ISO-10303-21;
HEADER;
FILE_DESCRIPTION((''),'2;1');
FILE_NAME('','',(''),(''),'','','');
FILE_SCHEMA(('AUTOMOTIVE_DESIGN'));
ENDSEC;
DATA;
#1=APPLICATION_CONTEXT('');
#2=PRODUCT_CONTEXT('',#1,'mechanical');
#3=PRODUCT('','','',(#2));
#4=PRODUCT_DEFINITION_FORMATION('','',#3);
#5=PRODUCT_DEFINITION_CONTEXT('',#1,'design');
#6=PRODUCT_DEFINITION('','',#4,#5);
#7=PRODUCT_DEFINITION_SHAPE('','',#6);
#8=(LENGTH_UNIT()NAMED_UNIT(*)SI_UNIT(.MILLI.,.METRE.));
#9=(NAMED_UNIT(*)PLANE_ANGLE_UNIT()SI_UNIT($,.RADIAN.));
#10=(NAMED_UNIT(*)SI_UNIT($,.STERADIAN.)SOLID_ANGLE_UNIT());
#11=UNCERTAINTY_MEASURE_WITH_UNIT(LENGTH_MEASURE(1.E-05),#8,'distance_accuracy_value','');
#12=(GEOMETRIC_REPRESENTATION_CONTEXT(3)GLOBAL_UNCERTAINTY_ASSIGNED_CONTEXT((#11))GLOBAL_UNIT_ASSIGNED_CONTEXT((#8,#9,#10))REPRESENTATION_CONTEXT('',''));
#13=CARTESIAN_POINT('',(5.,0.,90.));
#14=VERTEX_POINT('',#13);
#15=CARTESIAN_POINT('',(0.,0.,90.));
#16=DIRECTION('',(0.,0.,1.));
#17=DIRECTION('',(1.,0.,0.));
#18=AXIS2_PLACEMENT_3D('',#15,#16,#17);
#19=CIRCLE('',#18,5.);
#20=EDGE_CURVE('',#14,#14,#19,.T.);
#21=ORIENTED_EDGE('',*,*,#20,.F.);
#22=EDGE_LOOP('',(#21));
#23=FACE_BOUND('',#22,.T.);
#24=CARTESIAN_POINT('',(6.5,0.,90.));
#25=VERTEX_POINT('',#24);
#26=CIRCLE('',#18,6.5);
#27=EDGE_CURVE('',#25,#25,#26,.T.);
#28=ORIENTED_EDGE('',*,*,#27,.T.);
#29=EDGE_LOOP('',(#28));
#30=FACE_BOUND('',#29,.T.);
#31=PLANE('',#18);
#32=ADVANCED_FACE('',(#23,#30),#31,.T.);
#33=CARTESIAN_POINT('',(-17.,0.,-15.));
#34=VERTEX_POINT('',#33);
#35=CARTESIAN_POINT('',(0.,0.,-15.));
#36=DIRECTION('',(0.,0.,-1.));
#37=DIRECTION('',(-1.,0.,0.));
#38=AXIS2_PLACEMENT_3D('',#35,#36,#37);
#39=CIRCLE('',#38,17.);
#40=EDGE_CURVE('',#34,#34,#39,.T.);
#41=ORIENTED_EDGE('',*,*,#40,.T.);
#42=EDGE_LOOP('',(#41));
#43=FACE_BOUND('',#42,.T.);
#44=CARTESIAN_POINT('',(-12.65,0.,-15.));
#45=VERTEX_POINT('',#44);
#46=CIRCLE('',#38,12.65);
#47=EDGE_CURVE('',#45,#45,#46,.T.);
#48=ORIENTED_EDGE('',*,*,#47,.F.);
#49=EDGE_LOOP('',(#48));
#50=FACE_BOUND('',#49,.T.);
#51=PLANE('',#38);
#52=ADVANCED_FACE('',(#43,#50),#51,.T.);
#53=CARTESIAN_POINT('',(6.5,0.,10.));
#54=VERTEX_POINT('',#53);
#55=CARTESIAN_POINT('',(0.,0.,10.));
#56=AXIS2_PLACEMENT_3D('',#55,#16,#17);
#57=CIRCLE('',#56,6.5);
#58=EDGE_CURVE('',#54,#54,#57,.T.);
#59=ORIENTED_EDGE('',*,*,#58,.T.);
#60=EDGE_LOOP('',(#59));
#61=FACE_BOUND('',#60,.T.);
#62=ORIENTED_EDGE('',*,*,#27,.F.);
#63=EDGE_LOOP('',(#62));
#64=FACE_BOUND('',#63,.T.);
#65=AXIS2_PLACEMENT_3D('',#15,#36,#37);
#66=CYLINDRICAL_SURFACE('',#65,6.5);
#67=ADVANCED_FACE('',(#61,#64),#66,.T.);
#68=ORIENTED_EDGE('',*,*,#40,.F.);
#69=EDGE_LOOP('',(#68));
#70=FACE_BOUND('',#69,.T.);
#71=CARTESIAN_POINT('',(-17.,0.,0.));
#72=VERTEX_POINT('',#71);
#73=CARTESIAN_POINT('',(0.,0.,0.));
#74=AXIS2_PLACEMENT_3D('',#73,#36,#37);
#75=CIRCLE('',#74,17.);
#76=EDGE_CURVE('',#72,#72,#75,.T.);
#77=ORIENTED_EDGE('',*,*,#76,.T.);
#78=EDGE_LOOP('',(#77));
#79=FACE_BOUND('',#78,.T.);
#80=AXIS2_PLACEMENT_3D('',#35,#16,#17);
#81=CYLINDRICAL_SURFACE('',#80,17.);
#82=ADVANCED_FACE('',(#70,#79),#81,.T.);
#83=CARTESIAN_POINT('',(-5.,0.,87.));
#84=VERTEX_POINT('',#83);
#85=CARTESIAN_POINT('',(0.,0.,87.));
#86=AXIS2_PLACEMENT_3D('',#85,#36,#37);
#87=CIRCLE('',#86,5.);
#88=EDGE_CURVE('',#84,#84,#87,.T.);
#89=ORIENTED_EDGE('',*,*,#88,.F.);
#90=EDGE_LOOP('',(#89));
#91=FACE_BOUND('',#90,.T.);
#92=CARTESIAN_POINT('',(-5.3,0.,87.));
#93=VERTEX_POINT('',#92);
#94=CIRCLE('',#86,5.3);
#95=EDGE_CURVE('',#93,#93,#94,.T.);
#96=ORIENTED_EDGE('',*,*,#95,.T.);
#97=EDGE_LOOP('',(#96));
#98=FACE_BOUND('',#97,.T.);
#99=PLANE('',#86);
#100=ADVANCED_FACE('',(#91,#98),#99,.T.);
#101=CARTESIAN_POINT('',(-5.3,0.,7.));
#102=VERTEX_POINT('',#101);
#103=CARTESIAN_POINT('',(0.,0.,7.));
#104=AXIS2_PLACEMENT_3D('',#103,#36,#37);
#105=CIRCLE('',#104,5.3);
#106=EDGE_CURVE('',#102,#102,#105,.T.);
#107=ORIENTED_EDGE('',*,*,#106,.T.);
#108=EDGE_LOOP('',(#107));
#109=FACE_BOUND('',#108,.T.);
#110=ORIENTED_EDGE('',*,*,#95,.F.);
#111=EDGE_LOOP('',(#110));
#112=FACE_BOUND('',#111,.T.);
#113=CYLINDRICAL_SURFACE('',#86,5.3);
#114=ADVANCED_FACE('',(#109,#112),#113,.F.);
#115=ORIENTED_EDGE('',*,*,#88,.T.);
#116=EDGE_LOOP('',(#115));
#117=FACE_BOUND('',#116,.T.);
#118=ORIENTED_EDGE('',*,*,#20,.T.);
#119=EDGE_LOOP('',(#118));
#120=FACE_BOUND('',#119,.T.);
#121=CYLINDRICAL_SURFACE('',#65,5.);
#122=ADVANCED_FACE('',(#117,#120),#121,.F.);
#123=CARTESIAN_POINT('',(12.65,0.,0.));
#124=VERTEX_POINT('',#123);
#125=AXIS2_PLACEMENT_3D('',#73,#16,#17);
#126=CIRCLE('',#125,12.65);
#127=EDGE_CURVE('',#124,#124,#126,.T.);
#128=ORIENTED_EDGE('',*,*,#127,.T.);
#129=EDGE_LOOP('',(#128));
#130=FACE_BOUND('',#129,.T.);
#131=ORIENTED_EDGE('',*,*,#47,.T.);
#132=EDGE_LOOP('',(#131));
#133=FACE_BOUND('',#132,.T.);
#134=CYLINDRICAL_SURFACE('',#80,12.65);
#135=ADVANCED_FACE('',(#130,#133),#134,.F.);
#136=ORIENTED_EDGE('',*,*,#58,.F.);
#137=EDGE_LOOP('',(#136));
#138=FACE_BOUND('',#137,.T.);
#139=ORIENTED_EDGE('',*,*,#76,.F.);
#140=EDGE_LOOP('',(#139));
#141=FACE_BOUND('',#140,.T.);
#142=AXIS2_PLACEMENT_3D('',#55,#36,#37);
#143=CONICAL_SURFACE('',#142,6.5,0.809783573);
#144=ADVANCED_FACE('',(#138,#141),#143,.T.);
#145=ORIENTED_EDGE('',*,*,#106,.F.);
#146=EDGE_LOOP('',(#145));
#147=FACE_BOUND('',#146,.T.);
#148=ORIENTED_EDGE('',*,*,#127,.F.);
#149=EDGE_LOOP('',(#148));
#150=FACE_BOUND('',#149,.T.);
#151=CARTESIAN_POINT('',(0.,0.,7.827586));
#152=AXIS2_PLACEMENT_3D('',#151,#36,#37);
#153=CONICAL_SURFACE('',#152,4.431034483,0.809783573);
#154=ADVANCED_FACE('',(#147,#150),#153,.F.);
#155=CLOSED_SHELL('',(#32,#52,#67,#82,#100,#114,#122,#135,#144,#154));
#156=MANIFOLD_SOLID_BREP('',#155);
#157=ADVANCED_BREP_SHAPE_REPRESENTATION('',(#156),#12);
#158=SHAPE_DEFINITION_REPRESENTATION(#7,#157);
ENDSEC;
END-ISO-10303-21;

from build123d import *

# Parameters (mm, degrees)
SKETCH1_R           = 17
SKETCH2_R           = 6.5
SKETCH3_R           = 6.5
SKETCH3_R_2         = 5
BOSS_EXTRUDE1_DEPTH = 80
SHELL1_T            = -3
SKETCH4_R           = 5.3
CUT_EXTRUDE1_DEPTH  = 80
SKETCH5_R           = 17
SKETCH5_R_2         = 12.65
BOSS_EXTRUDE2_DEPTH = 15


with BuildPart() as part:
    # Sketch1 → Loft1 section 0
    with BuildSketch(Plane.XY):
        Circle(SKETCH1_R)
    # Sketch2 → Loft1 section 1
    with BuildSketch(Plane.XY.offset(10)):
        Circle(SKETCH2_R)
    loft()

    # Sketch3 → Boss-Extrude1 (add)
    with BuildSketch(Plane.XY.offset(10)):
        Circle(SKETCH3_R)
        Circle(SKETCH3_R_2, mode=Mode.SUBTRACT)
    extrude(amount=BOSS_EXTRUDE1_DEPTH)

    # Shell1
    shell1_openings = [part.faces().sort_by_distance(p)[0] for p in [
        (0, 0, 0),
    ]]
    offset(amount=SHELL1_T, openings=shell1_openings, kind=Kind.INTERSECTION)

    # Sketch4 → Cut-Extrude1 (cut)
    with BuildSketch(Plane(origin=(0, 0, 7), x_dir=(-1, 0, 0), z_dir=(0, 0, -1))):
        Circle(SKETCH4_R)
    extrude(amount=-CUT_EXTRUDE1_DEPTH, mode=Mode.SUBTRACT)

    # Sketch5 → Boss-Extrude2 (add)
    with BuildSketch(Plane(origin=(0, 0, 0), x_dir=(-1, 0, 0), z_dir=(0, 0, -1))):
        Circle(SKETCH5_R)
        Circle(SKETCH5_R_2, mode=Mode.SUBTRACT)
    extrude(amount=BOSS_EXTRUDE2_DEPTH)


solid = part.part
